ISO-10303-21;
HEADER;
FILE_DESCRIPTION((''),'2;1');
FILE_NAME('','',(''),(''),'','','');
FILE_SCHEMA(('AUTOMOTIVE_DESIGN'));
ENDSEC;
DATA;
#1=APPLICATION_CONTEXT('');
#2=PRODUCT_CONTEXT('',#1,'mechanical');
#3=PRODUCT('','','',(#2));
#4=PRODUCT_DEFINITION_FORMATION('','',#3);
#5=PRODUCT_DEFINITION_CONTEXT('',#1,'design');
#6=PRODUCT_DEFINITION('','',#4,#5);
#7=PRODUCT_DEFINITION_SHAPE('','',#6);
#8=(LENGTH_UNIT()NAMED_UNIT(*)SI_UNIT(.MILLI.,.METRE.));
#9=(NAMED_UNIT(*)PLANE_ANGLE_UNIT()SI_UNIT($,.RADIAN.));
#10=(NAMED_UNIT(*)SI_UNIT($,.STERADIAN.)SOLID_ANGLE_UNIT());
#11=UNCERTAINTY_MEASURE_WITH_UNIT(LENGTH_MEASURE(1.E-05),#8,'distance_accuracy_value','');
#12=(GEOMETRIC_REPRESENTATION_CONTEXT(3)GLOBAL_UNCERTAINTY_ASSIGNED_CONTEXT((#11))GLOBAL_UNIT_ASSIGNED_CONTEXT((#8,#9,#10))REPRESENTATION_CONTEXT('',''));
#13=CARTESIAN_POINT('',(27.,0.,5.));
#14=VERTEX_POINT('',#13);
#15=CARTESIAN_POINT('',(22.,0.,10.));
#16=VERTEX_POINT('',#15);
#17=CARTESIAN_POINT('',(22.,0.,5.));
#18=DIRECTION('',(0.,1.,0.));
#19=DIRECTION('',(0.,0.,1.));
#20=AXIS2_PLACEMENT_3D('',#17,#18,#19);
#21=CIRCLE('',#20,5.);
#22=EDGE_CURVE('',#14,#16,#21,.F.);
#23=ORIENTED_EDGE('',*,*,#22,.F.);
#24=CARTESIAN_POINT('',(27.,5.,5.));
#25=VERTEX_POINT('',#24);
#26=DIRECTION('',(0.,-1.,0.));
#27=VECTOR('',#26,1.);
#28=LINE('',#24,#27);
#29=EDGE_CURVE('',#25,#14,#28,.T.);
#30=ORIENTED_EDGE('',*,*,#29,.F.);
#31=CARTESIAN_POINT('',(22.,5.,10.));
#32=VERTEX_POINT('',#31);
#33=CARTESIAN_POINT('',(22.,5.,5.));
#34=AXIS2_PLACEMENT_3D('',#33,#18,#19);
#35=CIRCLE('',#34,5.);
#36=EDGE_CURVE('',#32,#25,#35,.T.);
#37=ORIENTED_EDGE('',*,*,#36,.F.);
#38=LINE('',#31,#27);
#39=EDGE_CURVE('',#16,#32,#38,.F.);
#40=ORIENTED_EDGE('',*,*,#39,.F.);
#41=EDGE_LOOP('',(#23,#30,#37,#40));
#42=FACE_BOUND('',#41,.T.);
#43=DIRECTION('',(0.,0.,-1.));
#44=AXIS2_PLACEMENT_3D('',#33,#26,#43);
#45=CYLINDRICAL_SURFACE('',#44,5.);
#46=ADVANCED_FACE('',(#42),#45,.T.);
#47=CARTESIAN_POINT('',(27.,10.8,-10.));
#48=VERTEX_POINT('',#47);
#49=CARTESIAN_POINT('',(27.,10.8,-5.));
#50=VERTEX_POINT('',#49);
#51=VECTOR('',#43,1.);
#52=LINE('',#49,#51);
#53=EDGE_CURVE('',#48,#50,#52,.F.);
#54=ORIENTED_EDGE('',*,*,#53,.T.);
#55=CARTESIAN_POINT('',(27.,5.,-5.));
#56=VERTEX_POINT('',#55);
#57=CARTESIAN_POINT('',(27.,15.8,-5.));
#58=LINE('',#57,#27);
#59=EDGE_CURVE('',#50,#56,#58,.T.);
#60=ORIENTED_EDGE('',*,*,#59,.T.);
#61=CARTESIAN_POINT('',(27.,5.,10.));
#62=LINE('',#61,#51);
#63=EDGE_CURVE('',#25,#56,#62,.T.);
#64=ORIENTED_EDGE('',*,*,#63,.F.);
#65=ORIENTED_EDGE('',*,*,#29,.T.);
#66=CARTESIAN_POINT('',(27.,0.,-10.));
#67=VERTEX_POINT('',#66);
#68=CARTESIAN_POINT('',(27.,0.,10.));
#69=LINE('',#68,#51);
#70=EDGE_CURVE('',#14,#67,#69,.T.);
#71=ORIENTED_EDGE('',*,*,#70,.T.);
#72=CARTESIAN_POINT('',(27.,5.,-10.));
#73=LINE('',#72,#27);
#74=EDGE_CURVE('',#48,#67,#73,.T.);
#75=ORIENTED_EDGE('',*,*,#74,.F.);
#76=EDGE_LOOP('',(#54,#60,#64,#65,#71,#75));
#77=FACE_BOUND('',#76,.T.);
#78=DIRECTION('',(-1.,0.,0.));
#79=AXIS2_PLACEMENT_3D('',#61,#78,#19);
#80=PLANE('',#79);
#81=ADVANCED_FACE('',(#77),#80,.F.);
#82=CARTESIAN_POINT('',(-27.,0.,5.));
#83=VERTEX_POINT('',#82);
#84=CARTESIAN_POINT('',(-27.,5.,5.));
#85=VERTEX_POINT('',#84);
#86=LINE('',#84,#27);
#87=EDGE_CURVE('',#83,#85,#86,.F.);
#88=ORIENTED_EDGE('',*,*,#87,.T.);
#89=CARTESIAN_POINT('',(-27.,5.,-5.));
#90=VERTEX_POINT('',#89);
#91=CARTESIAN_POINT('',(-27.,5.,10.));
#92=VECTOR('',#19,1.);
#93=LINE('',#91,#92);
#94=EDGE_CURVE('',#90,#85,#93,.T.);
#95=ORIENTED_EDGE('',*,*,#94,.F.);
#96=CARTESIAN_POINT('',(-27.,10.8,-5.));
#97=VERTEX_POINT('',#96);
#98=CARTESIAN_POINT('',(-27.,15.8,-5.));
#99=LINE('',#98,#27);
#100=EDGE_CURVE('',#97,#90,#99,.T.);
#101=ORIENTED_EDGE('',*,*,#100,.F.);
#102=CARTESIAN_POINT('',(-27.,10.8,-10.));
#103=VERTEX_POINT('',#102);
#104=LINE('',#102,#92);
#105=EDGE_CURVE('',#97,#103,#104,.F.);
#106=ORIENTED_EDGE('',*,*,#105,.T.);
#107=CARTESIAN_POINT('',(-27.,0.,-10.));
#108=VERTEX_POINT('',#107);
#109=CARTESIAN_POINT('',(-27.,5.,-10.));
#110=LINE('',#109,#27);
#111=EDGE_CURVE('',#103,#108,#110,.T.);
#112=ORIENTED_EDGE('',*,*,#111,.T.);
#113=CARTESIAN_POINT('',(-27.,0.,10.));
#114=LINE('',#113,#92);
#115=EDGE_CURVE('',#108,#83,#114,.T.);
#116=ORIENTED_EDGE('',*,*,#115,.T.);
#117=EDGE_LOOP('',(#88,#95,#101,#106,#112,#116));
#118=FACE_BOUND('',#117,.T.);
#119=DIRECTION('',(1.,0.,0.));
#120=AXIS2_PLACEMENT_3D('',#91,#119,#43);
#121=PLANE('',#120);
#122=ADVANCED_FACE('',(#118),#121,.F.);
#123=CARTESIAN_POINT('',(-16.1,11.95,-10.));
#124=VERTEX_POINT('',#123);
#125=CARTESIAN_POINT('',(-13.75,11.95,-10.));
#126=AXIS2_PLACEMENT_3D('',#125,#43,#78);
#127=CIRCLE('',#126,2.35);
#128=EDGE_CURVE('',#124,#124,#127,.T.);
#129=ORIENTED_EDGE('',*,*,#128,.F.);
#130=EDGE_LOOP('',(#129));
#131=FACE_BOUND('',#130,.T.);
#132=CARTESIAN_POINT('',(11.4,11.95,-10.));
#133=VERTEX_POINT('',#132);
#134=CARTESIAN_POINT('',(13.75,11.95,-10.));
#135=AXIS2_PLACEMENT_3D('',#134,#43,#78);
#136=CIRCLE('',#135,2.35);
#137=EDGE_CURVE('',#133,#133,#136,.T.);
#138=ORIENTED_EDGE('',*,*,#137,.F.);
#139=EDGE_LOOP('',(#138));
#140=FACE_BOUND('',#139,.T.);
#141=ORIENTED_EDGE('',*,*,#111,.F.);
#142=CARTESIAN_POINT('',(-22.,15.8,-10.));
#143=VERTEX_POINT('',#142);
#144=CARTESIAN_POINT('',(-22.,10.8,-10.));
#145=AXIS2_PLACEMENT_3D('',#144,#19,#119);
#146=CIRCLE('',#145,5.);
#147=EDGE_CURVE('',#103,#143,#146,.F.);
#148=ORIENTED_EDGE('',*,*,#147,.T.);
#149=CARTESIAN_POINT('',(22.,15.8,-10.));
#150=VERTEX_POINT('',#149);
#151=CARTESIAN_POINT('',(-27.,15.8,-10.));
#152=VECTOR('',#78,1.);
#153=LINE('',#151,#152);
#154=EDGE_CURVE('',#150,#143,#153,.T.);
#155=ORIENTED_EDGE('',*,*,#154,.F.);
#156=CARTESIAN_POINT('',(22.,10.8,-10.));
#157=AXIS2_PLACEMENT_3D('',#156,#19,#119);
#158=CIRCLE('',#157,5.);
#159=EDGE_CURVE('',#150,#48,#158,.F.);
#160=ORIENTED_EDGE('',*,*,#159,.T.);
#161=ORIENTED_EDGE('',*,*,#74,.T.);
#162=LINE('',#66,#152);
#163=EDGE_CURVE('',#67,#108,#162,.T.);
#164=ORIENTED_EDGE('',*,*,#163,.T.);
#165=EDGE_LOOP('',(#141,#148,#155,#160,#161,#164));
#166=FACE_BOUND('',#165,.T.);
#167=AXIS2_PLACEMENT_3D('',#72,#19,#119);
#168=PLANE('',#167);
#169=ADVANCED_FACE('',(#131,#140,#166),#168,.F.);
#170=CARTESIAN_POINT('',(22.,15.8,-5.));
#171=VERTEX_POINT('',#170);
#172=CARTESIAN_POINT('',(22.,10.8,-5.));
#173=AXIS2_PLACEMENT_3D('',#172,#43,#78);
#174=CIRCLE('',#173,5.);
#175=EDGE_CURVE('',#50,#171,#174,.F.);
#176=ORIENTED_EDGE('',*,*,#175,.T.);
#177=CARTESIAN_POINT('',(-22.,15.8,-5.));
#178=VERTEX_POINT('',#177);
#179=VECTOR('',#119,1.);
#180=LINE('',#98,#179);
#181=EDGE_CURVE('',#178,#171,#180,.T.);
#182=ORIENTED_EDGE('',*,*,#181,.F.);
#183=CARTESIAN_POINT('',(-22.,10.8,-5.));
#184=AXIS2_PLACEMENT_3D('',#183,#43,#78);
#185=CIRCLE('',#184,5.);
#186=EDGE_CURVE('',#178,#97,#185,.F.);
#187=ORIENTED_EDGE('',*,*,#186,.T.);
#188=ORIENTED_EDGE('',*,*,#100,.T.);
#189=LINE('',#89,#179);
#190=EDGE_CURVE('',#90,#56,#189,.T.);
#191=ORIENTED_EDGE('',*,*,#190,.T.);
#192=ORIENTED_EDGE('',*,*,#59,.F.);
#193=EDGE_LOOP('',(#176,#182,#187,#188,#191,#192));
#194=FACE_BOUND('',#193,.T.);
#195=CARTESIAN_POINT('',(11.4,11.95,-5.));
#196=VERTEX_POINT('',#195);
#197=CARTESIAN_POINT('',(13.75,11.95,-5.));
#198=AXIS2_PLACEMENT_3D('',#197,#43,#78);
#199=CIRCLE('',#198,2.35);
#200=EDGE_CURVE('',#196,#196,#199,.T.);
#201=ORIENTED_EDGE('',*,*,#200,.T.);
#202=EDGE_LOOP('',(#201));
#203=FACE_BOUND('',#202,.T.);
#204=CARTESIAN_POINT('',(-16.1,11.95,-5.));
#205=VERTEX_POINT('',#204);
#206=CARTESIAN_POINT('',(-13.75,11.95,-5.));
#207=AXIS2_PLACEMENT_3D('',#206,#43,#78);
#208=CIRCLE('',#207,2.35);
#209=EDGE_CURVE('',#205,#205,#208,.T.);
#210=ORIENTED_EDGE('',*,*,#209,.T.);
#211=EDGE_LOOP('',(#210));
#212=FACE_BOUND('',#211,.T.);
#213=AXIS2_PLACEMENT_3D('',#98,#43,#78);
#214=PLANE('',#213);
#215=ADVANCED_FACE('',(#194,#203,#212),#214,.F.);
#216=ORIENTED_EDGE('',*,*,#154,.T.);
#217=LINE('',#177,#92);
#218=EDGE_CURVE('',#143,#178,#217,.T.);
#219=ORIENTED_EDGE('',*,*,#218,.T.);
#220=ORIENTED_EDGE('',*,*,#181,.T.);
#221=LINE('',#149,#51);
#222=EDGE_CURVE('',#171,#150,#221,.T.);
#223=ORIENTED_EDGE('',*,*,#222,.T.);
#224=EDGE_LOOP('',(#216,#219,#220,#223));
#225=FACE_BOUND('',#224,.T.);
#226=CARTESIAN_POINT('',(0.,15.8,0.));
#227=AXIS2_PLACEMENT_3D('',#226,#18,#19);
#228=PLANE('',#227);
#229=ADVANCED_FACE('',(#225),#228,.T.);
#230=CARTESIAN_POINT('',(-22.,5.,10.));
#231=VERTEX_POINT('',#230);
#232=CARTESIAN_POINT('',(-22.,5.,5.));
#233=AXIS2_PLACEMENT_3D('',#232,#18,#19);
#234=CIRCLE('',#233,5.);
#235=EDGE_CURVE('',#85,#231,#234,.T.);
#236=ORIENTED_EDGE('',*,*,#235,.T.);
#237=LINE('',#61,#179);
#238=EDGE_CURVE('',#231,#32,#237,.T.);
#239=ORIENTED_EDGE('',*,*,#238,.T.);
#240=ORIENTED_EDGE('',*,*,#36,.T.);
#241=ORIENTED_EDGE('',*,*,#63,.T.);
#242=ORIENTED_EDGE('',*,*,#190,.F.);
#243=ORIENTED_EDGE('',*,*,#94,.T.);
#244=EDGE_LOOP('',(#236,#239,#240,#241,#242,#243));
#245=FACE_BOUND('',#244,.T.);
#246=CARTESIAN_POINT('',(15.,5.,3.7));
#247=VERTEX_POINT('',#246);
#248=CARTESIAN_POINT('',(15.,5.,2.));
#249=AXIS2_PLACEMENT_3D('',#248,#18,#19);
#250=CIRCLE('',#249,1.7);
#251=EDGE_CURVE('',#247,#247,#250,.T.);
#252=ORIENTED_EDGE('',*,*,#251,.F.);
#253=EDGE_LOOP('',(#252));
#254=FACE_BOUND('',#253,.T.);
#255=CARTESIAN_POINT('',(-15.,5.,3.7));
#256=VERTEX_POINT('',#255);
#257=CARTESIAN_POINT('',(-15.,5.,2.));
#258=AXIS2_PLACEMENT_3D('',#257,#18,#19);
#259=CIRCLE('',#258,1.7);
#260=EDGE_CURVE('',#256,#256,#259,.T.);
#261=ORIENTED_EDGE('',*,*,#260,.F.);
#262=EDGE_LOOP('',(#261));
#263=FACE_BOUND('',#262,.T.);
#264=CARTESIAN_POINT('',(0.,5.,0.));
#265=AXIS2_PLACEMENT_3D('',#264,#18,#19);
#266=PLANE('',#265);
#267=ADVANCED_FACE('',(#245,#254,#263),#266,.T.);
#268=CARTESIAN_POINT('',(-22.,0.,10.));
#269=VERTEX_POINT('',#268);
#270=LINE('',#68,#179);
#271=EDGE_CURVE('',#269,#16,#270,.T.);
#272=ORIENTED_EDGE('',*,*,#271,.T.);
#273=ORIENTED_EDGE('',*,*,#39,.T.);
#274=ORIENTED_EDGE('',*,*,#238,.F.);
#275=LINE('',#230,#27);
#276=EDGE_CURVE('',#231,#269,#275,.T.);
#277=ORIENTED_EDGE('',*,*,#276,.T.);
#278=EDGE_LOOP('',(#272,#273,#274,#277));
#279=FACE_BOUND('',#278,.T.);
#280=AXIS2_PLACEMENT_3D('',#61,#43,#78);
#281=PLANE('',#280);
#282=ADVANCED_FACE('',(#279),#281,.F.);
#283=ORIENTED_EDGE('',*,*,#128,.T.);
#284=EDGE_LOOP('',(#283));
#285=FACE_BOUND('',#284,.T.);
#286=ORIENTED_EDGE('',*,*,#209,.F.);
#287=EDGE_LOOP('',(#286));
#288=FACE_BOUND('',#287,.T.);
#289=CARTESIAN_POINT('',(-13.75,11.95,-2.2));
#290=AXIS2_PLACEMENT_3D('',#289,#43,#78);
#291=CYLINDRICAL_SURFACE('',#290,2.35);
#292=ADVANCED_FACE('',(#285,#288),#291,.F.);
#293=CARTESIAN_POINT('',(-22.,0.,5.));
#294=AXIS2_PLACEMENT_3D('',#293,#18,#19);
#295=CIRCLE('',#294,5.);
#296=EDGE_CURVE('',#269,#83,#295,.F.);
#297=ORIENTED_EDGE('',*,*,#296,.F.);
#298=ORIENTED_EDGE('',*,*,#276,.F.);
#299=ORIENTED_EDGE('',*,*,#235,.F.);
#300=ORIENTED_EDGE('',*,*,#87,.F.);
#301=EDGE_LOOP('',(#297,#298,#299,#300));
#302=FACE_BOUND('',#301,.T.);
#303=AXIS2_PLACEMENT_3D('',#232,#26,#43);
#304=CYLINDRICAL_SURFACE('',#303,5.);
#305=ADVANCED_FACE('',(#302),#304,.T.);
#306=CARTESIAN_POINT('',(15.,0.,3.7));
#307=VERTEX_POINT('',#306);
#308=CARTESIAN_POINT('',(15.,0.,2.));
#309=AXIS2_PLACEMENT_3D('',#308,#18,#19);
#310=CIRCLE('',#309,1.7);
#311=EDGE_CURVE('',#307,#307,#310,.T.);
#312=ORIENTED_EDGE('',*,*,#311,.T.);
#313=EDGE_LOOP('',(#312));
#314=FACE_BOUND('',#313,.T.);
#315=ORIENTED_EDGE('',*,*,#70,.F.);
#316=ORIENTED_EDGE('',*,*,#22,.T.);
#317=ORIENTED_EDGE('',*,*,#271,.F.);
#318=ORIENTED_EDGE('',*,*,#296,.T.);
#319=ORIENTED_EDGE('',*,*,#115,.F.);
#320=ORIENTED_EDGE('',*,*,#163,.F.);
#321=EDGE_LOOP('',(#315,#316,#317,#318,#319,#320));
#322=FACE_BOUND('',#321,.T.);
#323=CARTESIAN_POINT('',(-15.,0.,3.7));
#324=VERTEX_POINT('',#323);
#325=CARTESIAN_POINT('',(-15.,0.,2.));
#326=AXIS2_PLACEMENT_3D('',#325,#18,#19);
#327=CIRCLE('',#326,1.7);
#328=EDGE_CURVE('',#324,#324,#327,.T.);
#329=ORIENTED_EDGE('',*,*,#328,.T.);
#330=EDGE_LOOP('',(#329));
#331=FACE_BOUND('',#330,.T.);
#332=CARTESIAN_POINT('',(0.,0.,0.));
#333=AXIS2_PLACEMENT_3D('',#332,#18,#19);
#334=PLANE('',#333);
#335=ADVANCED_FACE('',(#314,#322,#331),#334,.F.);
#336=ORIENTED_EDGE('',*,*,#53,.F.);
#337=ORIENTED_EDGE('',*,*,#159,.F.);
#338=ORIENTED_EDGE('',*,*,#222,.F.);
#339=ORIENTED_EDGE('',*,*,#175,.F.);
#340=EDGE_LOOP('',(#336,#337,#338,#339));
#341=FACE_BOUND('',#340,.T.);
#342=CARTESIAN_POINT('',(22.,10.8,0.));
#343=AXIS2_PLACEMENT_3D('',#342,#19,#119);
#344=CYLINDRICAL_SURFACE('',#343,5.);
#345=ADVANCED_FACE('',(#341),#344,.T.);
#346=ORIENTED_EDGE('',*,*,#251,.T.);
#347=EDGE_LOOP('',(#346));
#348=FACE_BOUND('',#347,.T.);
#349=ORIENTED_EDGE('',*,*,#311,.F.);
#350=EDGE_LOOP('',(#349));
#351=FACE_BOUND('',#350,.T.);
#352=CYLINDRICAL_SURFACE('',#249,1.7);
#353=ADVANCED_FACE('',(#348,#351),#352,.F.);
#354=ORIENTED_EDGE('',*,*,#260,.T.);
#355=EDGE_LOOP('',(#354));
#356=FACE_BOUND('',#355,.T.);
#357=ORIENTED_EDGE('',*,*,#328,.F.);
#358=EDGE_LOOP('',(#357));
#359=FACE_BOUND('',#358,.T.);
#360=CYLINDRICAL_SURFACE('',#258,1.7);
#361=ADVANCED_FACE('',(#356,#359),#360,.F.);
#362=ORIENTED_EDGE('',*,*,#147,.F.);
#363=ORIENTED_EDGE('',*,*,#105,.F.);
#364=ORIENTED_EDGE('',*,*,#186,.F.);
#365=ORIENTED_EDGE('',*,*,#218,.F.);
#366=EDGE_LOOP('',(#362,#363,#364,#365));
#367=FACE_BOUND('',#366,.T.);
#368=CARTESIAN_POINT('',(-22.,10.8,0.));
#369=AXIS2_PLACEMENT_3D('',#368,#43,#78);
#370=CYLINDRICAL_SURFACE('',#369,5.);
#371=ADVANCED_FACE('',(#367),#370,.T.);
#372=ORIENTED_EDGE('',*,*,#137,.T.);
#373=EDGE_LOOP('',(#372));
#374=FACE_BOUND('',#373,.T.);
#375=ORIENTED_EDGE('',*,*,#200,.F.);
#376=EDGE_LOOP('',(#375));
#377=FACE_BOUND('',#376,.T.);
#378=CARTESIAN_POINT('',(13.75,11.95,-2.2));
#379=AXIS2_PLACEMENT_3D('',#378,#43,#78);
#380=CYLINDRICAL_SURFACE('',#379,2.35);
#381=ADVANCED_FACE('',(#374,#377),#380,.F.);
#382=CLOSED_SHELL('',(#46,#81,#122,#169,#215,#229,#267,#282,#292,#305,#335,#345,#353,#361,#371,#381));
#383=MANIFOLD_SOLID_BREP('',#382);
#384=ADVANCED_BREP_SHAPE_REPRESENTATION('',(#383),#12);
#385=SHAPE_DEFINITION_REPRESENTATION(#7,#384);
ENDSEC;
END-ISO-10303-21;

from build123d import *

# Parameters (mm, degrees)
SKETCH1_W                = 54
SKETCH1_H                = 20
BOSS_EXTRUDE1_DEPTH      = 5
SKETCH2_W                = 54
SKETCH2_H                = 5
BOSS_EXTRUDE2_DEPTH      = 10.8
M3_CLEARANCE_HOLE1_D     = 3.4
M3_CLEARANCE_HOLE1_DEPTH = 28.71
M3_CLEARANCE_HOLE1_TIP   = 1.021463052
M3_CLEARANCE_HOLE2_D     = 3.4
FILLET1_R                = 5
SKETCH11_R               = 2.35
CUT_EXTRUDE4_DEPTH       = 7.8
SKETCH9_R                = 2.35
CUT_EXTRUDE5_DEPTH       = 7.8


with BuildPart() as part:
    # Sketch1 → Boss-Extrude1 (new body)
    with BuildSketch(Plane(origin=(0, 0, 0), x_dir=(1, 0, 0), z_dir=(0, 1, 0))):
        Rectangle(SKETCH1_W, SKETCH1_H)
    extrude(amount=BOSS_EXTRUDE1_DEPTH)

    # Sketch2 → Boss-Extrude2 (add)
    with BuildSketch(Plane(origin=(0, 5, 0), x_dir=(1, 0, 0), z_dir=(0, 1, 0))):
        with Locations((0, 7.5)):
            Rectangle(SKETCH2_W, SKETCH2_H)
    extrude(amount=BOSS_EXTRUDE2_DEPTH)

    # M3 Clearance Hole1
    with Locations(Plane.XY.offset(-5)):
        with Locations((-13.75, 12.6), (13.75, 12.6)):
            Hole(M3_CLEARANCE_HOLE1_D / 2, depth=M3_CLEARANCE_HOLE1_DEPTH)
            with Locations((0, 0, -(M3_CLEARANCE_HOLE1_DEPTH + M3_CLEARANCE_HOLE1_TIP / 2))):  # 118° drill point
                Cone(0, M3_CLEARANCE_HOLE1_D / 2, M3_CLEARANCE_HOLE1_TIP, mode=Mode.SUBTRACT)

    # M3 Clearance Hole2 (through all)
    with Locations(Plane(origin=(0, 5, 0), x_dir=(1, 0, 0), z_dir=(0, 1, 0))):
        with Locations((15, -2), (-15, -2)):
            Hole(M3_CLEARANCE_HOLE2_D / 2)

    # Fillet1
    fillet1_edges = [part.edges().sort_by_distance(p)[0] for p in [
        (27, 2.5, 10),
        (-27, 2.5, 10),
        (27, 15.8, -7.5),
        (-27, 15.8, -7.5),
    ]]
    fillet(fillet1_edges, radius=FILLET1_R)

    # Sketch11 → Cut-Extrude4 (cut)
    with BuildSketch(Plane(origin=(0, 0, -10), x_dir=(-1, 0, 0), z_dir=(0, 0, -1))):
        with Locations((-13.75, 11.95)):
            Circle(SKETCH11_R)
    extrude(amount=-CUT_EXTRUDE4_DEPTH, mode=Mode.SUBTRACT)

    # Sketch9 → Cut-Extrude5 (cut)
    with BuildSketch(Plane(origin=(0, 0, -10), x_dir=(-1, 0, 0), z_dir=(0, 0, -1))):
        with Locations((13.75, 11.95)):
            Circle(SKETCH9_R)
    extrude(amount=-CUT_EXTRUDE5_DEPTH, mode=Mode.SUBTRACT)


solid = part.part
